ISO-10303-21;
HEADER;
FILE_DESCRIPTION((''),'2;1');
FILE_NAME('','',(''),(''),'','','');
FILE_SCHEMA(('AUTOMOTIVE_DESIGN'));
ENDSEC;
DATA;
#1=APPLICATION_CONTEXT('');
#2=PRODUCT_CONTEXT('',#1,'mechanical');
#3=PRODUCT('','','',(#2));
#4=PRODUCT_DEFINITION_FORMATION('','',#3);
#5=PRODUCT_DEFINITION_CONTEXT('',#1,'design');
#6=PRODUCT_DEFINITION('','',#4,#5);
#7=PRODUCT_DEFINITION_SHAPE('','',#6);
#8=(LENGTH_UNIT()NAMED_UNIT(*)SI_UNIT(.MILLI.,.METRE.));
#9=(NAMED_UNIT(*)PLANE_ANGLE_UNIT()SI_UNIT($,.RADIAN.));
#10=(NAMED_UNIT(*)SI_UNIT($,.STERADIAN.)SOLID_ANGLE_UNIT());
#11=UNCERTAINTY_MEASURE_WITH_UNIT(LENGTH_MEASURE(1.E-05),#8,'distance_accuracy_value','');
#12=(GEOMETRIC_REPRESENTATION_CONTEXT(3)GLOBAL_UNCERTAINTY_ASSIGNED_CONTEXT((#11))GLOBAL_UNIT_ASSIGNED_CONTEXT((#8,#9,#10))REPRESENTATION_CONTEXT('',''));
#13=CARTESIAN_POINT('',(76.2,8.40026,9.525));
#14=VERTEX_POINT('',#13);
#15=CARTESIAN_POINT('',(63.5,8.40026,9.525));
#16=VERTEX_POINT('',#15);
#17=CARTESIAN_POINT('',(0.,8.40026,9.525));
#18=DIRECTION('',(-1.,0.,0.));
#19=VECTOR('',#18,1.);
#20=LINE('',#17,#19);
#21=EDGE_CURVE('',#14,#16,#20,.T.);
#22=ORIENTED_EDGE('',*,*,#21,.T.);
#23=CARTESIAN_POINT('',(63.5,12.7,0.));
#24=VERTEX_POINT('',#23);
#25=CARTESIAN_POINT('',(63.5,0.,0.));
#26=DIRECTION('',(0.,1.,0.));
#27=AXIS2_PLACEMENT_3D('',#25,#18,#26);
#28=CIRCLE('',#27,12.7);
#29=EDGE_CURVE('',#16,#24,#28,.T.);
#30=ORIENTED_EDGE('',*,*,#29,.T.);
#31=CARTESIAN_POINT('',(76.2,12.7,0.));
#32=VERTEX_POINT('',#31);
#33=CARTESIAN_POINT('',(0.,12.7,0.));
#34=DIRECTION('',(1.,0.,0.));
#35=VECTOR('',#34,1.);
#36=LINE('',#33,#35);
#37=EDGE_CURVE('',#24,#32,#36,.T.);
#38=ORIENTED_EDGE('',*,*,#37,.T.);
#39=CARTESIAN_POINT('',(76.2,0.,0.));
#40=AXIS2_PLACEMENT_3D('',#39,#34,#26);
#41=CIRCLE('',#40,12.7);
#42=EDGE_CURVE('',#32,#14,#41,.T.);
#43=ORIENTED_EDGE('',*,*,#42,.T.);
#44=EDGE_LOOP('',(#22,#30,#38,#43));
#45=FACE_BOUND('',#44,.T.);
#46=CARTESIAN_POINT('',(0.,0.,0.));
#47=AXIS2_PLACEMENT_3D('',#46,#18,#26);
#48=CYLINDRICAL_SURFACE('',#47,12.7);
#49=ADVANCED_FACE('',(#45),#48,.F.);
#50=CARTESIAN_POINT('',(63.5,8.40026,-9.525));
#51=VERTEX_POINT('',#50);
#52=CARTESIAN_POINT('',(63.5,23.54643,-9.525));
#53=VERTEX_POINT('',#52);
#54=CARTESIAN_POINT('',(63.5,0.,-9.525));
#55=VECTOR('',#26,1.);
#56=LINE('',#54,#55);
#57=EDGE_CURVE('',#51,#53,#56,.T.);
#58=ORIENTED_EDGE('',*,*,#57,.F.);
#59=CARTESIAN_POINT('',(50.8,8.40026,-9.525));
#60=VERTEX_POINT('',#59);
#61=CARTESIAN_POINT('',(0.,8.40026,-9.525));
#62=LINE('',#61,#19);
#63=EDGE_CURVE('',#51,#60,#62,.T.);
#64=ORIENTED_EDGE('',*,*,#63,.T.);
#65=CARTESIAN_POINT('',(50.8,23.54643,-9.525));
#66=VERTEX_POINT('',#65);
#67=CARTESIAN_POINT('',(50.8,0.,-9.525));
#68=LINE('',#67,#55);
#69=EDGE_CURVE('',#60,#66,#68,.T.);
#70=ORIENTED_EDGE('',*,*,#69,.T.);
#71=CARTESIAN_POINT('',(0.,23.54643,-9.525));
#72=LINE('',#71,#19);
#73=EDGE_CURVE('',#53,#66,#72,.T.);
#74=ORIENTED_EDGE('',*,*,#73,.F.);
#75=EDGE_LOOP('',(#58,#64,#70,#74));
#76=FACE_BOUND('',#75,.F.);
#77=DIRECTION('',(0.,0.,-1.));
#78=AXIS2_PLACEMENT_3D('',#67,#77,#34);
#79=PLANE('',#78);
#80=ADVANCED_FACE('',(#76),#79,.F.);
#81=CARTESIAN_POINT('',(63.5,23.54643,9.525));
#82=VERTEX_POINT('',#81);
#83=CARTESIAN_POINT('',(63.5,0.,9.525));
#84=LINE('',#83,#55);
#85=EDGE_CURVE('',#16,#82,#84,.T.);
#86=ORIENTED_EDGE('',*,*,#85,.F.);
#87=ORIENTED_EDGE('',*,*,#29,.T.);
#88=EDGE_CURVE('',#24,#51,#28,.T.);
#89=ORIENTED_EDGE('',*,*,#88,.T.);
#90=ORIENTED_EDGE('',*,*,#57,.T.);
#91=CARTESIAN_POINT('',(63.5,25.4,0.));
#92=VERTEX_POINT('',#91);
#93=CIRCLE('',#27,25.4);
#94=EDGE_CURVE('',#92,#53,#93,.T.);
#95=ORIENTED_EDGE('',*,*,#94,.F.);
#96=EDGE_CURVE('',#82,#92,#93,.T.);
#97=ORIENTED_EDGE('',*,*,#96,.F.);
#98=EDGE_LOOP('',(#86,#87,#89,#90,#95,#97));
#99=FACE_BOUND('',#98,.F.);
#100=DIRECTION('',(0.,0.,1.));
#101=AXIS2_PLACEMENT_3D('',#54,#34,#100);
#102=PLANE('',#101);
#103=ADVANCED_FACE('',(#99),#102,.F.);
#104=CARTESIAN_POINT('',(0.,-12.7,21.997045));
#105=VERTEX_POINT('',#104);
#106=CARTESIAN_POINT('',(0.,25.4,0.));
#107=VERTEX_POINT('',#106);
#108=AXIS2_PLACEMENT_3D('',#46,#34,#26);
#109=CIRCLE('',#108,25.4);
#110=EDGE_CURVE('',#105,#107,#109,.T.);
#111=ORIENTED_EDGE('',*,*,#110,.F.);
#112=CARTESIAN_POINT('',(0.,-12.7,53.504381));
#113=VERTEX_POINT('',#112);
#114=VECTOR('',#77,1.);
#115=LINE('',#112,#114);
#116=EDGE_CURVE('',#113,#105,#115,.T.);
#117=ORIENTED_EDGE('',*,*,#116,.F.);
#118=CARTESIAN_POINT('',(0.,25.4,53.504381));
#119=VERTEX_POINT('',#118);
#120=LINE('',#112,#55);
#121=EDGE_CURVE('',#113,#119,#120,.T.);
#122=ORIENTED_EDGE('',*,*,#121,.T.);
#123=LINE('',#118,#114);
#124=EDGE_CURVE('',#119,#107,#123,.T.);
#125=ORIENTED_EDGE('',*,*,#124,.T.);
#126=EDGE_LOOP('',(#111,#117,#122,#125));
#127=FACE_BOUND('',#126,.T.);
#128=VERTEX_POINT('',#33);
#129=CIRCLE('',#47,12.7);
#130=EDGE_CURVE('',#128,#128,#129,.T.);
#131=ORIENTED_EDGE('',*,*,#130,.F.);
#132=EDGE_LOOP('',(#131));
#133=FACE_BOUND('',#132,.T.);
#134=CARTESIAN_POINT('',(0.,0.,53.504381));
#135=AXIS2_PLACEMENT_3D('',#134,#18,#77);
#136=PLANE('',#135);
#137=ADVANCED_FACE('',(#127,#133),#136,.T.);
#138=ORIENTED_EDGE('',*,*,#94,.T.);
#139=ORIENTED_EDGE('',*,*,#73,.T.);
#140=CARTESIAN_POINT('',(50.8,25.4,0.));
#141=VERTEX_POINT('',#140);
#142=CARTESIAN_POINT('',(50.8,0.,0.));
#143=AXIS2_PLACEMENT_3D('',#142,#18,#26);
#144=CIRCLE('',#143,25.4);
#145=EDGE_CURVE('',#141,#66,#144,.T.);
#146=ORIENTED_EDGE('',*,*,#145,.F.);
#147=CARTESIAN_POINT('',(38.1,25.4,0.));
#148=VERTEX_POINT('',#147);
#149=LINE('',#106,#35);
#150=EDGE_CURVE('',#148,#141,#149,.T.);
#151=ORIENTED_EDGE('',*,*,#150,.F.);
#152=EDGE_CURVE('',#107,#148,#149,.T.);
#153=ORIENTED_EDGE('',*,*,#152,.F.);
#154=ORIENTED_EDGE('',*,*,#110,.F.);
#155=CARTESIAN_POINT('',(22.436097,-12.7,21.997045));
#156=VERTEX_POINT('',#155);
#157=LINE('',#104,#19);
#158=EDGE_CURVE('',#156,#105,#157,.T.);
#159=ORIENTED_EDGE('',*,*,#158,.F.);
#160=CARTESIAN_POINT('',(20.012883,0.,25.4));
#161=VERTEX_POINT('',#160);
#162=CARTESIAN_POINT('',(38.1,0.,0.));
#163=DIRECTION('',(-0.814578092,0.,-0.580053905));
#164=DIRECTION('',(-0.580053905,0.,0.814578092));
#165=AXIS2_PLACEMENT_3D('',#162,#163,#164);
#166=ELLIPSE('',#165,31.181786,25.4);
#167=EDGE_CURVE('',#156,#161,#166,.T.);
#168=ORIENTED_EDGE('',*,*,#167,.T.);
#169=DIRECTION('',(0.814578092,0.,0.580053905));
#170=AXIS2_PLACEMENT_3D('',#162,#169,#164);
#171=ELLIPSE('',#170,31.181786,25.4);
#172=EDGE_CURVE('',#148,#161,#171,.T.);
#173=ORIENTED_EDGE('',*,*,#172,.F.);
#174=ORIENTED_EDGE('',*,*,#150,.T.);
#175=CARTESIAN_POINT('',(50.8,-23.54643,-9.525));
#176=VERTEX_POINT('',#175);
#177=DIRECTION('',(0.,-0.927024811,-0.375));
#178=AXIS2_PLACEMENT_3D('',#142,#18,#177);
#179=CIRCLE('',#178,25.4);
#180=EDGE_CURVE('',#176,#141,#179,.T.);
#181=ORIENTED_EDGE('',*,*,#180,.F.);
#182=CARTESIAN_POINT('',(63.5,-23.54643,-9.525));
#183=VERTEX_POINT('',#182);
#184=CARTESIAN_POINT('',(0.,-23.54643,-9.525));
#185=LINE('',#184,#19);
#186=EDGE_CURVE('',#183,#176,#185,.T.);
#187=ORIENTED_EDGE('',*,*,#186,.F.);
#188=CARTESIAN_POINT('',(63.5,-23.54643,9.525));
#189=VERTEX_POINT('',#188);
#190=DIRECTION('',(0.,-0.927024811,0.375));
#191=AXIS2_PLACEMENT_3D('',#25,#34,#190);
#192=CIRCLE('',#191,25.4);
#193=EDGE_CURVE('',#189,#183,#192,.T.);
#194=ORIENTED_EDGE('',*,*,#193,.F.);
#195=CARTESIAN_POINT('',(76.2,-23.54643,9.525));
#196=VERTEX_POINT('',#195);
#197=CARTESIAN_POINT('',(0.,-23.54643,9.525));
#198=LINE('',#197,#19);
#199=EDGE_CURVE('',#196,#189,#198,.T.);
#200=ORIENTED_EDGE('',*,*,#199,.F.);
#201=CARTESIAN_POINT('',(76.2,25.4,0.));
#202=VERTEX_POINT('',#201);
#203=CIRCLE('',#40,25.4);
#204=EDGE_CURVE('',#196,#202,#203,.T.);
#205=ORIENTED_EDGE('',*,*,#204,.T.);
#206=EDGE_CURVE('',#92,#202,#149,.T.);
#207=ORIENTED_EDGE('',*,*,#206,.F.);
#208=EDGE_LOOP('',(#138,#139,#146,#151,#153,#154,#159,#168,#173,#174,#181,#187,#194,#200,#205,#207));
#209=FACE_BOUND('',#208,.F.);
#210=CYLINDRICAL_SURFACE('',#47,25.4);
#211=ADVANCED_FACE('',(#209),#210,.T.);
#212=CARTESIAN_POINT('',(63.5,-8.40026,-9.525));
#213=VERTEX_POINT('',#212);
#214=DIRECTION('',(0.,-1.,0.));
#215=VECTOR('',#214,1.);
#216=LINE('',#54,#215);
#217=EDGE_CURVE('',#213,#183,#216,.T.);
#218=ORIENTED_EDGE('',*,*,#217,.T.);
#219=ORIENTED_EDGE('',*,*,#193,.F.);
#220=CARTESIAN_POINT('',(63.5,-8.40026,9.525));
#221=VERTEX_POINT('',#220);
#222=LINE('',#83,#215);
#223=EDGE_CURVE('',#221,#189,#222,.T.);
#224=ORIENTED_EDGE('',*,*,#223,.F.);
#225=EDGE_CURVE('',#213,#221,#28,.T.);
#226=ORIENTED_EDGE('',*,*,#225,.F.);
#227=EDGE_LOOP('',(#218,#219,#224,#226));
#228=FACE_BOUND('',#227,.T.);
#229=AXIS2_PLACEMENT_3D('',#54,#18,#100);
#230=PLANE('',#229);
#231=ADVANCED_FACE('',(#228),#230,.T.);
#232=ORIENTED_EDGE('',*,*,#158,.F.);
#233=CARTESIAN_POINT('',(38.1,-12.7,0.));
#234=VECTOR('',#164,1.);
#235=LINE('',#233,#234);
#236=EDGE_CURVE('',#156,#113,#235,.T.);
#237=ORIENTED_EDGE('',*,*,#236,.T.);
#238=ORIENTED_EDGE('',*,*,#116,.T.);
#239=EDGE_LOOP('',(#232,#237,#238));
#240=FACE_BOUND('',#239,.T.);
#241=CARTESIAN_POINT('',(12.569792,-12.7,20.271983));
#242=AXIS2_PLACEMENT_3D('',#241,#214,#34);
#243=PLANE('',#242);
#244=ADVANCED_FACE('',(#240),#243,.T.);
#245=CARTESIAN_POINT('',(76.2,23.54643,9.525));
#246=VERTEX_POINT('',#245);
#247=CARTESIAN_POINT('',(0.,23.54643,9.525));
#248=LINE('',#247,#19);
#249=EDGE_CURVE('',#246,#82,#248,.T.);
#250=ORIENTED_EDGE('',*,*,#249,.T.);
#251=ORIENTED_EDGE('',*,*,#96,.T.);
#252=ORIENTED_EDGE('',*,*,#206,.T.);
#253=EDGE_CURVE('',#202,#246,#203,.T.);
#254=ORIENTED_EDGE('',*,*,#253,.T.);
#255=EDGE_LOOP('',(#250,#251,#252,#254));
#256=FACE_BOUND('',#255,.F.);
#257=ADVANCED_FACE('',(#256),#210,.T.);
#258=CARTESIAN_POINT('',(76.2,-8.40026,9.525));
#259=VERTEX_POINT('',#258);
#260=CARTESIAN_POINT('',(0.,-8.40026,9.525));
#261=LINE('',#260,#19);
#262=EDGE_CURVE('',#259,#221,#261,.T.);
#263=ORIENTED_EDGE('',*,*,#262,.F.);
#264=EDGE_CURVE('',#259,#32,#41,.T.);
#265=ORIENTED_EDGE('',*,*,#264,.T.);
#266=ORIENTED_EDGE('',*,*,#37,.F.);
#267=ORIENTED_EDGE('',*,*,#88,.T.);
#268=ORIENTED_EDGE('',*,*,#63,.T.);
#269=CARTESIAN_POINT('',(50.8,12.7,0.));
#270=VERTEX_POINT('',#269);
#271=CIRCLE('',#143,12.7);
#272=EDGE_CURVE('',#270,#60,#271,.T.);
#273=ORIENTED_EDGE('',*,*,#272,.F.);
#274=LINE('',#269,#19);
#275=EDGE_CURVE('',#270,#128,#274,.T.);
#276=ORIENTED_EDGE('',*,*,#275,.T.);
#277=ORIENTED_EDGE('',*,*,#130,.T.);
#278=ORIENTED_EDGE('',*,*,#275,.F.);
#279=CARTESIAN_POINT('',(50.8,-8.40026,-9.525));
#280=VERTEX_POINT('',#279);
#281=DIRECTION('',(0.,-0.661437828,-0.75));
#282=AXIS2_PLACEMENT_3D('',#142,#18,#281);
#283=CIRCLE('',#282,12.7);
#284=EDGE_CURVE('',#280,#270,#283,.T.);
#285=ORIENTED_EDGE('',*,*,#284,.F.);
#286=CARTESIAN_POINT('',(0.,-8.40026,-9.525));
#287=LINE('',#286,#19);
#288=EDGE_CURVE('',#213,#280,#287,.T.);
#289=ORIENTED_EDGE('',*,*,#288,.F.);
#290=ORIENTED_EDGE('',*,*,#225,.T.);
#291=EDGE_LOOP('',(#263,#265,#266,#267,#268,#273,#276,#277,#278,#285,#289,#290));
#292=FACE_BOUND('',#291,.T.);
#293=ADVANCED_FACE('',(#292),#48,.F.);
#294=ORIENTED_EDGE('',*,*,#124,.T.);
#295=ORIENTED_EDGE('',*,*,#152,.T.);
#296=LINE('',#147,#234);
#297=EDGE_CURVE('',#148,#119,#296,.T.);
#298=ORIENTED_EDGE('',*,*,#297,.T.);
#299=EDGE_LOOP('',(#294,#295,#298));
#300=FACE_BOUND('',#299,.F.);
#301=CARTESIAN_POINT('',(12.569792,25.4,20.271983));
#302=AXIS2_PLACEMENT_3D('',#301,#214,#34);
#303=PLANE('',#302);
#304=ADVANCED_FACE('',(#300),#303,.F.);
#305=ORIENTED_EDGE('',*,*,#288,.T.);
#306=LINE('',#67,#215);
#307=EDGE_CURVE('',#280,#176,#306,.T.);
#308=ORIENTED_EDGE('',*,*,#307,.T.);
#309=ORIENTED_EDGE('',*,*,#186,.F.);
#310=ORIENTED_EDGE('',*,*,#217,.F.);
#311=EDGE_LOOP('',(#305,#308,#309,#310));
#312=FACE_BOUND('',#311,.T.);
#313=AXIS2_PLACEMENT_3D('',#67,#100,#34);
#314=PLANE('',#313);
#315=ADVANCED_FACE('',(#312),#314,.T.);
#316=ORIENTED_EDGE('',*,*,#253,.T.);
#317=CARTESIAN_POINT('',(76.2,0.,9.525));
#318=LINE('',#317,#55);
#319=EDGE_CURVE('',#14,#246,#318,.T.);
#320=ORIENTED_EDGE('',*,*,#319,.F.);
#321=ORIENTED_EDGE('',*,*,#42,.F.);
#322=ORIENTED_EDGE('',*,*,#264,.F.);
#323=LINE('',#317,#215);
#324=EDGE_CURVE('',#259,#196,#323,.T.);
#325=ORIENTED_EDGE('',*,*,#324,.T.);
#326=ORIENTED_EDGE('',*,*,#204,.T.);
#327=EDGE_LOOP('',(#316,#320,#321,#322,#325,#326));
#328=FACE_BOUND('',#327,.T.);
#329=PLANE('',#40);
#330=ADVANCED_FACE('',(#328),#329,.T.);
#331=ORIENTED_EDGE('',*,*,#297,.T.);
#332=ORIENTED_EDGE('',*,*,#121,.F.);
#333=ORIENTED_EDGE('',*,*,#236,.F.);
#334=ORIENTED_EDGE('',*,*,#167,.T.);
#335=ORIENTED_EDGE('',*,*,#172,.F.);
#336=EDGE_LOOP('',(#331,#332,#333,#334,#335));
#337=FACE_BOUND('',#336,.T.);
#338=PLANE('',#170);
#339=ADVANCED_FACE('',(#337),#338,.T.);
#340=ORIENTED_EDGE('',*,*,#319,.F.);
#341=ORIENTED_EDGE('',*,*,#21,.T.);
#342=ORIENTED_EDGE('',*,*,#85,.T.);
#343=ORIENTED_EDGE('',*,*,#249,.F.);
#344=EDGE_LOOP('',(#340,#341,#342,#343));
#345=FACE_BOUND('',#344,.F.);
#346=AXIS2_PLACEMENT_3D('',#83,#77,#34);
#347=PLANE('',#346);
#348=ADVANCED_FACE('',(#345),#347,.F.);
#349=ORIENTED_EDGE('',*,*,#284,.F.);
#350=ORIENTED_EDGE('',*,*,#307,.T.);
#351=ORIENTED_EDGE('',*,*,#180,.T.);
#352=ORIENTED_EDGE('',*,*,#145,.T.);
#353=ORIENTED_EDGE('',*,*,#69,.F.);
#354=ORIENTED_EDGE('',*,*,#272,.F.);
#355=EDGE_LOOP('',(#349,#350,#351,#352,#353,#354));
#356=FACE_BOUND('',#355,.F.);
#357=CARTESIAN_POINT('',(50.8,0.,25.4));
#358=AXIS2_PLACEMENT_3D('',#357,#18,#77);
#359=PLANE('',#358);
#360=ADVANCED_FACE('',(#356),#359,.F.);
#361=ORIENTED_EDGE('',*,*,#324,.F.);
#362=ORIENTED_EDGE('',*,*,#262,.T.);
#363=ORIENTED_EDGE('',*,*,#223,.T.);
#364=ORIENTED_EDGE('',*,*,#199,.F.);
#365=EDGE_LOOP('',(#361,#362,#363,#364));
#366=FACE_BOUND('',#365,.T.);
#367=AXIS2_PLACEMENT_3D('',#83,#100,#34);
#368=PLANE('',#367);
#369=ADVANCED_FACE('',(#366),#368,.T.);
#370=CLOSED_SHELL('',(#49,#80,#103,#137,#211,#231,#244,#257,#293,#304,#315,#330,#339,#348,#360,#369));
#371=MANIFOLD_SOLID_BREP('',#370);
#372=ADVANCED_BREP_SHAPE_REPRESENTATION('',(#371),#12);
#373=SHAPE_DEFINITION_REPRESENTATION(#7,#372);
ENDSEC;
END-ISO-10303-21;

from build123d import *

# Parameters (mm, degrees)
F0_R          = 12.7
F1_DEPTH      = 76.2
F3_DEPTH      = 25.401
F3_DEPTH_BACK = 25.4
F5_DEPTH      = 25.4
F6_DEPTH      = 12.7
F7_DEPTH      = 50.8


with BuildPart() as f1:
    # F0 (on Right) → F1 (new body)
    with BuildSketch(Plane.YZ):
        with BuildLine():
            ThreePointArc((-19.5864308625, 16.171942557), (-8.5925740058, -23.9024616296), (25.4, 0))
            ThreePointArc((25.4, 0), (8.5925740058, 23.9024616296), (-19.5864308625, 16.171942557))
        make_face()
        Circle(F0_R, mode=Mode.SUBTRACT)
    extrude(amount=F1_DEPTH)

    # F2 (on Front) → F3 (cut, two sides)
    with BuildSketch(Plane.XZ) as f3_sk:
        Polygon((76.2, 9.525), (76.2, 25.4), (50.8, 25.4), (50.8, -9.525), (63.5, -9.525), (63.5, 9.525), align=None)
    extrude(amount=-F3_DEPTH, mode=Mode.SUBTRACT)
    extrude(f3_sk.sketch, amount=F3_DEPTH_BACK, mode=Mode.SUBTRACT)

    # F4 (on Front) → F5 (join)
    with BuildSketch(Plane.XZ):
        Polygon((38.1, 0), (0, 53.5043813288), (0, 0), align=None)
    extrude(amount=-F5_DEPTH)

    # F4 (on Front) → F6 (join)
    with BuildSketch(Plane.XZ):
        Polygon((38.1, 0), (0, 53.5043813288), (0, 0), align=None)
    extrude(amount=F6_DEPTH)

    # F0 (on Right) → F7 (cut)
    with BuildSketch(Plane.YZ):
        Circle(F0_R)
    extrude(amount=F7_DEPTH, mode=Mode.SUBTRACT)


solid = f1.part
